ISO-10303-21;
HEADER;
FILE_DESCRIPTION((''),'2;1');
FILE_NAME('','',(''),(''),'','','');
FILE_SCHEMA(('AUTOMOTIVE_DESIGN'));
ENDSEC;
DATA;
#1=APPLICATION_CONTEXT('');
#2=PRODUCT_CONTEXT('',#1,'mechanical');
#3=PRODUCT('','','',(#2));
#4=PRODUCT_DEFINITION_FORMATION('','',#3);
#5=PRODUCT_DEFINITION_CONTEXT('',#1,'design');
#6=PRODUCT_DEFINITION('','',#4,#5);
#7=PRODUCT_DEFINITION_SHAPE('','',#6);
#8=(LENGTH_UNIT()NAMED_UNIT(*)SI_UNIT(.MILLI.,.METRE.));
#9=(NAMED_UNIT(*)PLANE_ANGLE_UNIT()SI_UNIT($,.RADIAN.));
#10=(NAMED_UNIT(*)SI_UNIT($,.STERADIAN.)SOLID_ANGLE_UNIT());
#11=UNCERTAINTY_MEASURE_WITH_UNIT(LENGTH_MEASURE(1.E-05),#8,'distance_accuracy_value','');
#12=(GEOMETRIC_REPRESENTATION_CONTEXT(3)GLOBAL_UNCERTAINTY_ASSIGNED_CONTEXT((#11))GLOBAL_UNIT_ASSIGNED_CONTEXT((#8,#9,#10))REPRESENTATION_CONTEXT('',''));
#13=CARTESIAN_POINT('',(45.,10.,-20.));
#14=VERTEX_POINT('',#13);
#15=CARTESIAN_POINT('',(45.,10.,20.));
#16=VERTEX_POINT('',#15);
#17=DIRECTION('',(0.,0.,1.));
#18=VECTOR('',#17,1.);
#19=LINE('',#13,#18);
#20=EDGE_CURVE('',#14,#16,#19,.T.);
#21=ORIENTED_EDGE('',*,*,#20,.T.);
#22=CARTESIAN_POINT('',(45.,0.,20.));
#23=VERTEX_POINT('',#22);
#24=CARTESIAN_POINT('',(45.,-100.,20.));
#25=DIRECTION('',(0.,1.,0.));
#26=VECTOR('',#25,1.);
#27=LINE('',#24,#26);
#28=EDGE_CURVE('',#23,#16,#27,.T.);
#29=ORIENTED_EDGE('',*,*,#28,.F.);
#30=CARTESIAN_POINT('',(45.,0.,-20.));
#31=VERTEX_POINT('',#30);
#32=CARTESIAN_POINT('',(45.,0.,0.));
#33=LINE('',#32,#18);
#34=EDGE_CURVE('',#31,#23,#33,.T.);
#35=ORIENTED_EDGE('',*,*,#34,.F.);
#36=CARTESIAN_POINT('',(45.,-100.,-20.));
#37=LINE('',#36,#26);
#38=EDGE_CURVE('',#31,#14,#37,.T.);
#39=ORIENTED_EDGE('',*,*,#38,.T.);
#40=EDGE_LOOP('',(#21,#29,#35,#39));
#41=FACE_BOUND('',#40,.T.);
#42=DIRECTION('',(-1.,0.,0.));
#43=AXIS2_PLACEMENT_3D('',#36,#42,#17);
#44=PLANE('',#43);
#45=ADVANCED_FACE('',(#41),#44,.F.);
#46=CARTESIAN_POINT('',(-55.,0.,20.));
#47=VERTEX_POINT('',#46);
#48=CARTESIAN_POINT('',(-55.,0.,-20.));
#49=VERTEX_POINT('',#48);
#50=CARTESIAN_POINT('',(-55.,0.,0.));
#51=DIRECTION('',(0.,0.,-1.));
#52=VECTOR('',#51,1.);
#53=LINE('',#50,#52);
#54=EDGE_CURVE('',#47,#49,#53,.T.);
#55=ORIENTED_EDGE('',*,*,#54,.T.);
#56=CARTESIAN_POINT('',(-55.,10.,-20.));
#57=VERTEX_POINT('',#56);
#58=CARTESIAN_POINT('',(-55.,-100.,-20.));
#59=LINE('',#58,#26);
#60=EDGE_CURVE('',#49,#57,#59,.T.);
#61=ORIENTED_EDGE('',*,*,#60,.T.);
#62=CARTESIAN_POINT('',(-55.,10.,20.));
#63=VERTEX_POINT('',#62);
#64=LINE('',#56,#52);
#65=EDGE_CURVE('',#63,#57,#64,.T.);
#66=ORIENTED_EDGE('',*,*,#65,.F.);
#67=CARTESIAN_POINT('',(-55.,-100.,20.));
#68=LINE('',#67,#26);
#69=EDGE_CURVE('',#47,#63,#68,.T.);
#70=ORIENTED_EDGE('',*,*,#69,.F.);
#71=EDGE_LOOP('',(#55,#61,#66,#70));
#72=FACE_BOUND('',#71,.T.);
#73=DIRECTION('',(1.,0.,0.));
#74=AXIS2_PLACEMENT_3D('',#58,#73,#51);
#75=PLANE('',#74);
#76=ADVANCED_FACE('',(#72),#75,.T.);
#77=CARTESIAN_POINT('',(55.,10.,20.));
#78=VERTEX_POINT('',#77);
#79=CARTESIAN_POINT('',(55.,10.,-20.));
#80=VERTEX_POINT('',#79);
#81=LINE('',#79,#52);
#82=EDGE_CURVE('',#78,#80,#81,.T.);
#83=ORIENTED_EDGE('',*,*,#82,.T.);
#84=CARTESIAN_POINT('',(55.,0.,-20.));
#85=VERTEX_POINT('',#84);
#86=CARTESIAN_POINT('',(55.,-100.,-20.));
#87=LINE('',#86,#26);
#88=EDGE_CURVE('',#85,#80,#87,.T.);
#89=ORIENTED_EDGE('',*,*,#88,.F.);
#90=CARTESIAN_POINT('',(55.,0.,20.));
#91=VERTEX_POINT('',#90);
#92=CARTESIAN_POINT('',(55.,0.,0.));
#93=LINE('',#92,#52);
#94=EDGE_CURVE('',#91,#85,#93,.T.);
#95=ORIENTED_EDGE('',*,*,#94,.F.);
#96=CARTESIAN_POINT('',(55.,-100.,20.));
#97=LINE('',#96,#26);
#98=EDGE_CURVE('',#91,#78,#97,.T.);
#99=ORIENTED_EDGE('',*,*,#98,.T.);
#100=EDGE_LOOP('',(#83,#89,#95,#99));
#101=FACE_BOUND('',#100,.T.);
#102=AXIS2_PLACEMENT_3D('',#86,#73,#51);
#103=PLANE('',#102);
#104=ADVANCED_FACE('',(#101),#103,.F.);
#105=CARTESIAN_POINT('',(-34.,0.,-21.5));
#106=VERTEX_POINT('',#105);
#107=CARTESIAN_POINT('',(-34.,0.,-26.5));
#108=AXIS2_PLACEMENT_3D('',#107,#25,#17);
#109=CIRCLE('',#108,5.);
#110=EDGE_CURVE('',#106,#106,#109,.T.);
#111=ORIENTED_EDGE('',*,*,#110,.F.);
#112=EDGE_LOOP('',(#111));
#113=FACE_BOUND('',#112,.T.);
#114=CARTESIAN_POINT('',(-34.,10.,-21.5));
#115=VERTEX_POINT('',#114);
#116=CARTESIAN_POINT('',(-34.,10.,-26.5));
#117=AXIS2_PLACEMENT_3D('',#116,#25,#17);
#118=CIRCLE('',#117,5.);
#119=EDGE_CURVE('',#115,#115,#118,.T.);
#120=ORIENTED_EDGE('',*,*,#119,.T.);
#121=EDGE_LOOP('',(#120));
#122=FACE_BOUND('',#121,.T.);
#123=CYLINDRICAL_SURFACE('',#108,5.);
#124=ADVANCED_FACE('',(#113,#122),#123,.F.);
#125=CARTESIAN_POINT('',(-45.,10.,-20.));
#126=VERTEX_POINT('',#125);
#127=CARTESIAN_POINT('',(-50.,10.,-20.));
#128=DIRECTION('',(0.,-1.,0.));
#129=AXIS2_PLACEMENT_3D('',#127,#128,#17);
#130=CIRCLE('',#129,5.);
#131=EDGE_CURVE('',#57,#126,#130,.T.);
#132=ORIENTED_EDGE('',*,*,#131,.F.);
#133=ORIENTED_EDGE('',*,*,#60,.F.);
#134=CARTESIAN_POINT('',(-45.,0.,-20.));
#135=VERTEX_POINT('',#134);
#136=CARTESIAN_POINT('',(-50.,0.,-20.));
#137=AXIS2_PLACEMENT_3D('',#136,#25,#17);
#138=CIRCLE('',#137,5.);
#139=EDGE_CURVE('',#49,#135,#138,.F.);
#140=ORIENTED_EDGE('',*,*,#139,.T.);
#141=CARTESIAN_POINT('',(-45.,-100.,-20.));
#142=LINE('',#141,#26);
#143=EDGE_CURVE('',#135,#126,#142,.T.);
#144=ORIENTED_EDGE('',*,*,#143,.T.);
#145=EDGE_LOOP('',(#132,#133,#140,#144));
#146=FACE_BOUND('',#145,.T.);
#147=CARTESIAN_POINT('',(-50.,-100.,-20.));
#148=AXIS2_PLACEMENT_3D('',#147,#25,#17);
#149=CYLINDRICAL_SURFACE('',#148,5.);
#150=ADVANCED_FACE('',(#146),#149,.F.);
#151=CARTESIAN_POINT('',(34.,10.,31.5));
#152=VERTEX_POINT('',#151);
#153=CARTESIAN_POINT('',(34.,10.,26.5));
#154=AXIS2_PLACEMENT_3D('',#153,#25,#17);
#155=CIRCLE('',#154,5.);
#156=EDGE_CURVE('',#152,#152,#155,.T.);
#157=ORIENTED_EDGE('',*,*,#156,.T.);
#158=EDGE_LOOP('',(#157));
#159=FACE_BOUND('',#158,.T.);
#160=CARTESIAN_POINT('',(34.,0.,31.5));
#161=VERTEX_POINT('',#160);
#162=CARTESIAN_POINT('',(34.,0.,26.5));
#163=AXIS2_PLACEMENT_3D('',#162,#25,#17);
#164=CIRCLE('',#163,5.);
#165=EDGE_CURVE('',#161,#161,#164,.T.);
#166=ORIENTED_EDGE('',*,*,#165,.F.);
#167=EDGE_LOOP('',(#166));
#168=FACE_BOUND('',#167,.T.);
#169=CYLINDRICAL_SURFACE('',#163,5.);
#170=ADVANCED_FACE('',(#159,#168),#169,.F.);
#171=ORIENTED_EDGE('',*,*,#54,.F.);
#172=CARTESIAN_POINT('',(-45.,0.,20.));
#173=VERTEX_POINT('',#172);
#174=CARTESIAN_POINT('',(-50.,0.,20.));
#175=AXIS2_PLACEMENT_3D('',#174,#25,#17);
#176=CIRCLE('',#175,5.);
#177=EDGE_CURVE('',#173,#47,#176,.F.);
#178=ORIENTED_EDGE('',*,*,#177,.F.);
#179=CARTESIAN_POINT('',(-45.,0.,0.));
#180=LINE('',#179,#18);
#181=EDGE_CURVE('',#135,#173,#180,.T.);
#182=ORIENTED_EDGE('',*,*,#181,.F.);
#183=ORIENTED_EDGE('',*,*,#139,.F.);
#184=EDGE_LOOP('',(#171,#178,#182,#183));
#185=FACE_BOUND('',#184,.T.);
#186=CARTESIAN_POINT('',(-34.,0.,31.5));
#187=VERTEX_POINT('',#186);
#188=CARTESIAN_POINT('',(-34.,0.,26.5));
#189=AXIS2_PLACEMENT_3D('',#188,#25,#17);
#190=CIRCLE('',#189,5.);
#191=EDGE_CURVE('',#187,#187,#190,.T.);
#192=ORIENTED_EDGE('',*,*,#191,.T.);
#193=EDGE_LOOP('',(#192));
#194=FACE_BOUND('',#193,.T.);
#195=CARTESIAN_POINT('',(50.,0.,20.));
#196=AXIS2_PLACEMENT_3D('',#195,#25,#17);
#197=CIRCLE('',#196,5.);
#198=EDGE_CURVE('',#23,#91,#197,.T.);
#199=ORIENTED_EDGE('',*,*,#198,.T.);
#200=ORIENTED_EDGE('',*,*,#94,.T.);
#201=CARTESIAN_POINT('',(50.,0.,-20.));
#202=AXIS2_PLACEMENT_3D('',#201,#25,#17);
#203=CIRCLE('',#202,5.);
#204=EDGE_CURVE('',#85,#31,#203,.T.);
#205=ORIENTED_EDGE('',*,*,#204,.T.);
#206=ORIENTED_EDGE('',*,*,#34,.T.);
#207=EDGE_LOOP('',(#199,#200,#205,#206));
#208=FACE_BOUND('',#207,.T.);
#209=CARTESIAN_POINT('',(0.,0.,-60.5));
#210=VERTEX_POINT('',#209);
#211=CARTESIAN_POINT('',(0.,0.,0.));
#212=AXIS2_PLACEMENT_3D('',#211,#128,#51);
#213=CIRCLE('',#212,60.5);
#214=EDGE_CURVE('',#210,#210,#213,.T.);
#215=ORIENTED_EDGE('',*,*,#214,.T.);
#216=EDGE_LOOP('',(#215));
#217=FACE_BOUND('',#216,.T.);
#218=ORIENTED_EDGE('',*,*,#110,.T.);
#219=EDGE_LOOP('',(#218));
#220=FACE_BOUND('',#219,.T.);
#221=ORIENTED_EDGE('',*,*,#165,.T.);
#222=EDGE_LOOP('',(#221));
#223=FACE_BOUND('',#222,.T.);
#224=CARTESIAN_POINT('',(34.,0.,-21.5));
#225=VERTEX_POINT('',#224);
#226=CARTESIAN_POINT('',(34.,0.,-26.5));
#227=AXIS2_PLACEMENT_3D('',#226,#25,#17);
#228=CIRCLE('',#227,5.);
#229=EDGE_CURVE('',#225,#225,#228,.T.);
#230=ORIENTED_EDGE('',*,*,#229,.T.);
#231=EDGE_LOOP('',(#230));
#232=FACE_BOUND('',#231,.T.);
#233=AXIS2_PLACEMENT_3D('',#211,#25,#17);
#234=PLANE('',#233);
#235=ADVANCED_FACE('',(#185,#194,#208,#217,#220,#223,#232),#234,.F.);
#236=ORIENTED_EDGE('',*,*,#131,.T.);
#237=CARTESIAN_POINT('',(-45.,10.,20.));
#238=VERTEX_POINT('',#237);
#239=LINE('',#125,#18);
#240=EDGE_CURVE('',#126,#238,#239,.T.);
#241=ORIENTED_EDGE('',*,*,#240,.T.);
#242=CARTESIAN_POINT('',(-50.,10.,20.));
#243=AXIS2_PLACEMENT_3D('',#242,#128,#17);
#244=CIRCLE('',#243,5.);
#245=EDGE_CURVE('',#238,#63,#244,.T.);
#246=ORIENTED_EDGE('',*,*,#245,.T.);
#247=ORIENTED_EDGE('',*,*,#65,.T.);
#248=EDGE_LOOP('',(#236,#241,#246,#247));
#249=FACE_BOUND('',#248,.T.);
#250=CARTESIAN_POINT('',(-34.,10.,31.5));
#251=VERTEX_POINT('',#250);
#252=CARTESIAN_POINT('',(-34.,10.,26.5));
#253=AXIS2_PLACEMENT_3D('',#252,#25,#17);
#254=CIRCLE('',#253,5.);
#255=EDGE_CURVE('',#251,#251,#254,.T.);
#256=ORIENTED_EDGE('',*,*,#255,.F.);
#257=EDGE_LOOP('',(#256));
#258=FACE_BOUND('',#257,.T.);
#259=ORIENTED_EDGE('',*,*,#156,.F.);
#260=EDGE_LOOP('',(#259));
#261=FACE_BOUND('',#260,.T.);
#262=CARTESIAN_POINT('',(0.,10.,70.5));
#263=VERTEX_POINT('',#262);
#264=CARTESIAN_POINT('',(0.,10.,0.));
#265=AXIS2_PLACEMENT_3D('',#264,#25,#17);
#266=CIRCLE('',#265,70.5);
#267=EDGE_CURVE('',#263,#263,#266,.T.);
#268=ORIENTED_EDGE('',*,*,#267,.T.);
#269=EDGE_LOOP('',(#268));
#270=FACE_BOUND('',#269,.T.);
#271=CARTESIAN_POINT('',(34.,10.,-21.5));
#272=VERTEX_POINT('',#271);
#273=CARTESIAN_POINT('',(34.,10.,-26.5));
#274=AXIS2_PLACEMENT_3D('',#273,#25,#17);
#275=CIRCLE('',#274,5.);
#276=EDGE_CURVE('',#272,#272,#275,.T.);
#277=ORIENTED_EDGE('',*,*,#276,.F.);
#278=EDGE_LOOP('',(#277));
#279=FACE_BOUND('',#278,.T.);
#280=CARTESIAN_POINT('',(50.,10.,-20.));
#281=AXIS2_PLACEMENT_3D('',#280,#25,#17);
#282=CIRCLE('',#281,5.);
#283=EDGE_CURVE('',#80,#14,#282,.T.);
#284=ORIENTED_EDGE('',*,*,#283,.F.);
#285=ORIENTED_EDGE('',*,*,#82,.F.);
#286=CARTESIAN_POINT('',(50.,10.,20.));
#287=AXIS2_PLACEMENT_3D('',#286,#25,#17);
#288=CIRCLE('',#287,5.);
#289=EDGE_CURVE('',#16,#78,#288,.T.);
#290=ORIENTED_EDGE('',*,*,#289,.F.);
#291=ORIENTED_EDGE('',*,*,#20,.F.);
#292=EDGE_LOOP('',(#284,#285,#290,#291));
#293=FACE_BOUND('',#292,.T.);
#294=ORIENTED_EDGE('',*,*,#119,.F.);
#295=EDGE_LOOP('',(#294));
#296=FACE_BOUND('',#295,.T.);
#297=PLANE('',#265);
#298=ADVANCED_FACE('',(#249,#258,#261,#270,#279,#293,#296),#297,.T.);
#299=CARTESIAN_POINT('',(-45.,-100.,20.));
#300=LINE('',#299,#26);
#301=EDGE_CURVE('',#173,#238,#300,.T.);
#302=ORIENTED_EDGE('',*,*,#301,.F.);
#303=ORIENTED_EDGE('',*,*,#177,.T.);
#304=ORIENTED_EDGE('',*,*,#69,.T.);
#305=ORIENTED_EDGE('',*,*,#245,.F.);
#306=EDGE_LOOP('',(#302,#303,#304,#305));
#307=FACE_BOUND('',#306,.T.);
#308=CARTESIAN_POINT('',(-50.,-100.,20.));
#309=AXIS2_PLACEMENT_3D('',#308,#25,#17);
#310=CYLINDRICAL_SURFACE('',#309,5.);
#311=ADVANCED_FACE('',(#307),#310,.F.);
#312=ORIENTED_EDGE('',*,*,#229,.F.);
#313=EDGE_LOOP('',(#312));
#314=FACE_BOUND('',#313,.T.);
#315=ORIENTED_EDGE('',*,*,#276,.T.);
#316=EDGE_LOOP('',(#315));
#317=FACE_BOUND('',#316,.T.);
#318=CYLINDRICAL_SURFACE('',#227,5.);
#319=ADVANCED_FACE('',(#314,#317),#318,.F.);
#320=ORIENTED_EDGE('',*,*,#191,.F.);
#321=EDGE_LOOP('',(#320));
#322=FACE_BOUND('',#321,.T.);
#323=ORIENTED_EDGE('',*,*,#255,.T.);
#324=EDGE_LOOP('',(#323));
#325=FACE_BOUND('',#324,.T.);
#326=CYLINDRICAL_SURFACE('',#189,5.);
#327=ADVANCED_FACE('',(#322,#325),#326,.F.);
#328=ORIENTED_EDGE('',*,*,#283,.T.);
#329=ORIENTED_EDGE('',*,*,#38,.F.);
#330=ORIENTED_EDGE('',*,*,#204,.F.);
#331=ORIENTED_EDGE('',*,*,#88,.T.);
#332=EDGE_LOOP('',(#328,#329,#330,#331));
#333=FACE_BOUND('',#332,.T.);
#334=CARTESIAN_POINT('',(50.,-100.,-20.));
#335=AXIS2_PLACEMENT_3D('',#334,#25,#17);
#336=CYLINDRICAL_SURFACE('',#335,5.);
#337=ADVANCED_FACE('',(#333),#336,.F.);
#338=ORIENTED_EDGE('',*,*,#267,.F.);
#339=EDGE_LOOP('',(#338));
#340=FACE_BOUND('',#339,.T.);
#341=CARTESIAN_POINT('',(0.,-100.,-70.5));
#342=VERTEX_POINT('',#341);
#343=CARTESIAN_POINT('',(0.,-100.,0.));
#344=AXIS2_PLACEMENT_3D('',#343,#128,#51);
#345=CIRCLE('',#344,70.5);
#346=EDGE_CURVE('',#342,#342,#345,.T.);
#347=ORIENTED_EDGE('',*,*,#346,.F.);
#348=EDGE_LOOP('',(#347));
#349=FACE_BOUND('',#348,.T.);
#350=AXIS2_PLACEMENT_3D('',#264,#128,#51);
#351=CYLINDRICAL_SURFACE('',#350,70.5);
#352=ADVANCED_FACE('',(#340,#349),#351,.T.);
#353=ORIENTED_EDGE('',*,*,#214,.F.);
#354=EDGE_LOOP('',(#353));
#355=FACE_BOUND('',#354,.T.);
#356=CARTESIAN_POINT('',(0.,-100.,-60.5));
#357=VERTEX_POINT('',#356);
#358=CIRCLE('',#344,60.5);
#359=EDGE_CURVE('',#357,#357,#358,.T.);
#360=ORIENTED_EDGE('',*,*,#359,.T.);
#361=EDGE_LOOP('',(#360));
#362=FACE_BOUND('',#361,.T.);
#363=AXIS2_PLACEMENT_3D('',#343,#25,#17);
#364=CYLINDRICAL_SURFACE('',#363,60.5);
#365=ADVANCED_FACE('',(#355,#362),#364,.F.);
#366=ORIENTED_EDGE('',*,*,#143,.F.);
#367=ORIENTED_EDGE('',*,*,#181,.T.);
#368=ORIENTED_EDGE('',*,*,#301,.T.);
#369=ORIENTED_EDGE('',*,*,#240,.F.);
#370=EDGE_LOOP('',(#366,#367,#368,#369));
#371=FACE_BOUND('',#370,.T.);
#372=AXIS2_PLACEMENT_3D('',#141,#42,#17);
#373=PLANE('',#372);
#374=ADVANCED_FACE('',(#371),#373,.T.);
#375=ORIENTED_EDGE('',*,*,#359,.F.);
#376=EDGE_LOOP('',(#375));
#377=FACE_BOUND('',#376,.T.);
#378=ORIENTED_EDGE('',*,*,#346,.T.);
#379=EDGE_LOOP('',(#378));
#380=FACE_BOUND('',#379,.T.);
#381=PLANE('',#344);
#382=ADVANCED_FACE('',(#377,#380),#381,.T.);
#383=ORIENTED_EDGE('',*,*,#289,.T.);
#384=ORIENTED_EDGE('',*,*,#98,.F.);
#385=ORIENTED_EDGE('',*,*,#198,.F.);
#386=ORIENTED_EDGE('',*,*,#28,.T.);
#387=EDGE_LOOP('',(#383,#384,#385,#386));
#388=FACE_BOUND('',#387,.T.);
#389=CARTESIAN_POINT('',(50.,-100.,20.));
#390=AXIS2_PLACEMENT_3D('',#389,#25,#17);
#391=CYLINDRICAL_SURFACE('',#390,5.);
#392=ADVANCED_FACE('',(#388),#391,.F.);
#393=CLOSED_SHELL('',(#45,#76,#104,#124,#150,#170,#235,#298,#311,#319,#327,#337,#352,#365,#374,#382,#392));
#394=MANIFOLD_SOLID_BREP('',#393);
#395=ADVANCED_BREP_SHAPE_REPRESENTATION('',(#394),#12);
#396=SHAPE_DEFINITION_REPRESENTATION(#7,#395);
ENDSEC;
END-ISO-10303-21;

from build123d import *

# Parameters (mm, degrees)
SKETCH1_R           = 70.5
BOSS_EXTRUDE1_DEPTH = 10
SKETCH2_R           = 5
CUT_EXTRUDE1_DEPTH  = 101.202295383
BOSS_EXTRUDE2_START = 100
SKETCH3_R           = 70.5
SKETCH3_R_2         = 60.5
BOSS_EXTRUDE2_DEPTH = 100
CUT_EXTRUDE2_DEPTH  = 149.460432439


with BuildPart() as part:
    # Sketch1 → Boss-Extrude1 (new body)
    with BuildSketch(Plane(origin=(0, 0, 0), x_dir=(1, 0, 0), z_dir=(0, 1, 0))):
        with Locations(Location((0, 0, 0), (0, 0, 270))):
            Circle(SKETCH1_R)
    extrude(amount=BOSS_EXTRUDE1_DEPTH)

    # Sketch2 → Cut-Extrude1 (cut, through all)
    with BuildSketch(Plane(origin=(0, 10, 0), x_dir=(1, 0, 0), z_dir=(0, 1, 0))):
        with Locations(Location((-34, -26.5, 0), (0, 0, 270))):
            Circle(SKETCH2_R)
        with Locations(Location((34, -26.5, 0), (0, 0, 270))):
            Circle(SKETCH2_R)
        with Locations(Location((34, 26.5, 0), (0, 0, 270))):
            Circle(SKETCH2_R)
        with Locations(Location((-34, 26.5, 0), (0, 0, 270))):
            Circle(SKETCH2_R)
    extrude(amount=-CUT_EXTRUDE1_DEPTH, mode=Mode.SUBTRACT)

    # Sketch3 → Boss-Extrude2 (add)
    with BuildSketch(Plane.XZ.offset(BOSS_EXTRUDE2_START)):
        with Locations(Location((0, 0, 0), (0, 0, 270))):
            Circle(SKETCH3_R)
        with Locations(Location((0, 0, 0), (0, 0, 270))):
            Circle(SKETCH3_R_2, mode=Mode.SUBTRACT)
    extrude(amount=-BOSS_EXTRUDE2_DEPTH)

    # Sketch4 → Cut-Extrude2 (cut, through all)
    with BuildSketch(Plane(origin=(0, 10, 0), x_dir=(1, 0, 0), z_dir=(0, 1, 0))):
        with BuildLine():
            Line((55, 20), (55, -20))
            ThreePointArc((55, -20), (50, -25), (45, -20))
            Line((45, -20), (45, 20))
            ThreePointArc((45, 20), (50, 25), (55, 20))
        make_face()
    cut_extrude2 = extrude(amount=-CUT_EXTRUDE2_DEPTH, mode=Mode.SUBTRACT)

    # Mirror1: Cut-Extrude2 across plane
    add(cut_extrude2.mirror(Plane(origin=(0, 0, 0), x_dir=(0, 0, 1), z_dir=(1, 0, 0))), mode=Mode.SUBTRACT)


solid = part.part
